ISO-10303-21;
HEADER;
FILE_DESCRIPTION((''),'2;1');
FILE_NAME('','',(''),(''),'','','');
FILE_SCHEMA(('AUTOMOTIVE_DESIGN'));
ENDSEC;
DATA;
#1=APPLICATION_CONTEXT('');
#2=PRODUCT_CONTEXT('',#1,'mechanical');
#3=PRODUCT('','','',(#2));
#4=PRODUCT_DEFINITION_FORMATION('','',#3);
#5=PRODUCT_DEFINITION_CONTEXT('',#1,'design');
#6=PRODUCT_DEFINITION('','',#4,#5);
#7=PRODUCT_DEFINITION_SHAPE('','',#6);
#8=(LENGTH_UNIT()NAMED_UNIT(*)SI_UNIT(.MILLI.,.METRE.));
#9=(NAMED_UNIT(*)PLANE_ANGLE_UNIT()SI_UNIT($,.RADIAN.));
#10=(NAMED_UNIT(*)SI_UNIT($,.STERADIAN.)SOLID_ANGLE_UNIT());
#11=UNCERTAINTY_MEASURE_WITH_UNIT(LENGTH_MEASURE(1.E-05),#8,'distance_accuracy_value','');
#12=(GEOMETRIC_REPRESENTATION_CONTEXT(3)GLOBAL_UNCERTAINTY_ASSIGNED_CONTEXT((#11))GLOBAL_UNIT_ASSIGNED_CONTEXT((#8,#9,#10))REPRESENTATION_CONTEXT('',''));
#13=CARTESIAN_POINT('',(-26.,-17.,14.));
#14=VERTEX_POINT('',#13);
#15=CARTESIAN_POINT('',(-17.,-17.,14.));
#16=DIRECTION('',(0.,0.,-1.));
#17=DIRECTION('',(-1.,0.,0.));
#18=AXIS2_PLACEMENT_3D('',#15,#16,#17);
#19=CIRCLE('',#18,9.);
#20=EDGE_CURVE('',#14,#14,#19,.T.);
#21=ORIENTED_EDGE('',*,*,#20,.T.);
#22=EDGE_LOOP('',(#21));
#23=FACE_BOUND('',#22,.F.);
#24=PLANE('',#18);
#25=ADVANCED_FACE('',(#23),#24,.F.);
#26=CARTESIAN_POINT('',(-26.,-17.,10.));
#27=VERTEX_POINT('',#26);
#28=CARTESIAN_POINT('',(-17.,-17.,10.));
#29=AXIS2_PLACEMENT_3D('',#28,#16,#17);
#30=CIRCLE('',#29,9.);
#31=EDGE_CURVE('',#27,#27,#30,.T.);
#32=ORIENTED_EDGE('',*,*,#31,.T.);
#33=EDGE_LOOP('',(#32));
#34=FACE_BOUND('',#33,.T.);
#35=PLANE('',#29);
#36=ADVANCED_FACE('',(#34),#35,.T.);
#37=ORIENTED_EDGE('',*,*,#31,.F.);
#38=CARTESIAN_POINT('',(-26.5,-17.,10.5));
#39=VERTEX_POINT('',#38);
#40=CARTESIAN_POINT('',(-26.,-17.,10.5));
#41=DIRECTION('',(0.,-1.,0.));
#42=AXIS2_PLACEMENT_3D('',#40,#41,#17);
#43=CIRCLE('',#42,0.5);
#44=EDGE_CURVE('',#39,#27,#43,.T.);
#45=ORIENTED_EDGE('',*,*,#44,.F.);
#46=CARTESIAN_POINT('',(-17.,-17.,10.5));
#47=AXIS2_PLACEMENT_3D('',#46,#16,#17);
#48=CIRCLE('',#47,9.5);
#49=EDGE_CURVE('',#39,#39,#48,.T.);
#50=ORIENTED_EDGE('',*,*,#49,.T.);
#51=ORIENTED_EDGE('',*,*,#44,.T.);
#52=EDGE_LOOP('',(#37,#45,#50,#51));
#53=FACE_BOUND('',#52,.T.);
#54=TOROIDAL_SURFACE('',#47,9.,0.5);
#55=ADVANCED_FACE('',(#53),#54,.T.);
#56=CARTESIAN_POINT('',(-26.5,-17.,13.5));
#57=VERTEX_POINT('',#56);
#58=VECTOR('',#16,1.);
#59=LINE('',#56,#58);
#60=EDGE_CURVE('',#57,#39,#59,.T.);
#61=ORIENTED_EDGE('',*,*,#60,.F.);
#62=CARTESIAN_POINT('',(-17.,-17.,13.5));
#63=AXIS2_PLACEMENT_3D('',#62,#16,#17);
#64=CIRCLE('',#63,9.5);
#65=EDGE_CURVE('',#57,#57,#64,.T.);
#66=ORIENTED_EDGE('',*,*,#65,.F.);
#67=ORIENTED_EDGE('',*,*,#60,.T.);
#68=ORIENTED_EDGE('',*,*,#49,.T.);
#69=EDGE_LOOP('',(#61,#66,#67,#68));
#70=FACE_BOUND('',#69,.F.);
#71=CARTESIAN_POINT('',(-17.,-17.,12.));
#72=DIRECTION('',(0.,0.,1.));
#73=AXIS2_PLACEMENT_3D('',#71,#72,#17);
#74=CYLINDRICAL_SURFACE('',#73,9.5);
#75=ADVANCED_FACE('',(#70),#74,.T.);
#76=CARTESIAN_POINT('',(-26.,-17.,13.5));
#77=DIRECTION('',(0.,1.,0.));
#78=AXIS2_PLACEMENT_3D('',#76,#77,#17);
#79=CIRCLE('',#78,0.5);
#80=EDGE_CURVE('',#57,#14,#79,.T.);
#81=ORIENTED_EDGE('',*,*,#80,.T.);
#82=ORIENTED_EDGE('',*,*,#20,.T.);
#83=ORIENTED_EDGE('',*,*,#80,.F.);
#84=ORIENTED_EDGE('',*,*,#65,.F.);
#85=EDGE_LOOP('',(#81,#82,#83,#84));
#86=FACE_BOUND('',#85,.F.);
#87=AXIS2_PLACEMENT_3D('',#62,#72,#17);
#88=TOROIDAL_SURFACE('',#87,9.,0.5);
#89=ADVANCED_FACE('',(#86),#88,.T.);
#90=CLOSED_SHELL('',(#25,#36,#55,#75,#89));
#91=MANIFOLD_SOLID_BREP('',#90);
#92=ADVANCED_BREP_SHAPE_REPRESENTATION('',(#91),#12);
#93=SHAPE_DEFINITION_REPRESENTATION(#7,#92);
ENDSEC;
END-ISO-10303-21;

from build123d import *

# Parameters (mm, degrees)
CYLINDER007_R             = 9.5
CYLINDER007_DEPTH         = 2
FILLET007_R               = 0.5
CYLINDER006_R             = 9.5
CYLINDER006_DEPTH         = 2
FILLET006_R               = 0.5
FUSION005_PLACEMENT_ANGLE = 180


with BuildPart() as fillet007:
    # Cylinder007 → Cylinder007 (new body)
    with BuildSketch(Plane.XY.offset(12)):
        Circle(CYLINDER007_R)
    extrude(amount=CYLINDER007_DEPTH)

    # Fillet007
    fillet007_edges = [fillet007.edges().sort_by_distance(p)[0] for p in [
        (-9.5, 0, 14),
    ]]
    fillet(fillet007_edges, radius=FILLET007_R)


with BuildPart() as disc003:
    # Cylinder006 → Cylinder006 (new body)
    with BuildSketch(Plane.XY.offset(11)):
        Circle(CYLINDER006_R)
    extrude(amount=CYLINDER006_DEPTH)

    # Fillet006
    fillet006_edges = [disc003.edges().sort_by_distance(p)[0] for p in [
        (-9.5, 0, 11),
    ]]
    fillet(fillet006_edges, radius=FILLET006_R)


with BuildPart() as disc003_1:
    # Fillet006 placement: moved
    add(disc003.part.moved(Location((0, 0, -1))))

    # Fusion005: union Fillet007
    add(fillet007.part)


with BuildPart() as disc003_2:
    # Fusion005 placement: moved
    add(disc003_1.part.moved(Location((-17, -17, 24))).rotate(Axis((-17, -17, 24), (0, 1, 0)), FUSION005_PLACEMENT_ANGLE))


solid = disc003_2.part
